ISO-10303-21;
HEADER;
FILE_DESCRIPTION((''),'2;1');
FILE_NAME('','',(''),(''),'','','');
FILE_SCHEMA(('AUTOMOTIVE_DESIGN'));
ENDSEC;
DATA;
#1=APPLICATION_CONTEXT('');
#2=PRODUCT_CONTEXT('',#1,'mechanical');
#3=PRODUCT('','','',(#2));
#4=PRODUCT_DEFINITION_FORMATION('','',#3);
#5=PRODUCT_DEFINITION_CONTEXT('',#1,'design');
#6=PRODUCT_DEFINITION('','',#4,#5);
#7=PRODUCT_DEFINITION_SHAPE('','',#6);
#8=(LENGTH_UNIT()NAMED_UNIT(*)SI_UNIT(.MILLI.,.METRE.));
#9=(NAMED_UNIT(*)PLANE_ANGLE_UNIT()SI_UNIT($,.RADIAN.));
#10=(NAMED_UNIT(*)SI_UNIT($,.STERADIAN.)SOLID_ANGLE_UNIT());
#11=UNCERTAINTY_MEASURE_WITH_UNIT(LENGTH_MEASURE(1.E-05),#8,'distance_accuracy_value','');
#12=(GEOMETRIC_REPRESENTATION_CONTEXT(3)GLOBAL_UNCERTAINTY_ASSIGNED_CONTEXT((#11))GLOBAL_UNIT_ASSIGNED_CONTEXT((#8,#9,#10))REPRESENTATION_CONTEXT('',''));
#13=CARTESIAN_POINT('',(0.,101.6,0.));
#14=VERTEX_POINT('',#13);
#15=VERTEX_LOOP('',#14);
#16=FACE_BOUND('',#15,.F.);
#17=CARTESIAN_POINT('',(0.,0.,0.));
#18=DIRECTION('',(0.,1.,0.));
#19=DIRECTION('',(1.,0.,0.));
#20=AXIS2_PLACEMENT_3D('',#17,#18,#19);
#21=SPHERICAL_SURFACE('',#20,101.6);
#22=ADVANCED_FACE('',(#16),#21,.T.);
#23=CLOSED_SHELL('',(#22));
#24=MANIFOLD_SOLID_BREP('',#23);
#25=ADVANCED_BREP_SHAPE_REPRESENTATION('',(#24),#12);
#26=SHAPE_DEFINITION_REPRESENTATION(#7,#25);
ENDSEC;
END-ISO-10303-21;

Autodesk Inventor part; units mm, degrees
ref_plane "YZ Plane" through (0, 0, 0) normal (1, 0, 0) x (0, 1, 0)
ref_plane "XZ Plane" through (0, 0, 0) normal (0, 1, 0) x (-1, 0, 0)
ref_plane "XY Plane" through (0, 0, 0) normal (0, 0, 1) x (1, 0, 0)
sketch "Sketch1" plane through (0, 0, 0) normal (0, 0, 1) x (1, 0, 0)
  arc A0 (0, -101.6) -> (0, 101.6) centre (0, 0) ccw
  line L0 (0, 101.6) -> (0, -101.6)
  dimension "d0" = 203.2
revolve "Revolution1" add sketch "Sketch1" angle 360 about axis through (0, 101.6, 0) along (0, -1, 0)
properties part number "FRC 2010 Ball"
